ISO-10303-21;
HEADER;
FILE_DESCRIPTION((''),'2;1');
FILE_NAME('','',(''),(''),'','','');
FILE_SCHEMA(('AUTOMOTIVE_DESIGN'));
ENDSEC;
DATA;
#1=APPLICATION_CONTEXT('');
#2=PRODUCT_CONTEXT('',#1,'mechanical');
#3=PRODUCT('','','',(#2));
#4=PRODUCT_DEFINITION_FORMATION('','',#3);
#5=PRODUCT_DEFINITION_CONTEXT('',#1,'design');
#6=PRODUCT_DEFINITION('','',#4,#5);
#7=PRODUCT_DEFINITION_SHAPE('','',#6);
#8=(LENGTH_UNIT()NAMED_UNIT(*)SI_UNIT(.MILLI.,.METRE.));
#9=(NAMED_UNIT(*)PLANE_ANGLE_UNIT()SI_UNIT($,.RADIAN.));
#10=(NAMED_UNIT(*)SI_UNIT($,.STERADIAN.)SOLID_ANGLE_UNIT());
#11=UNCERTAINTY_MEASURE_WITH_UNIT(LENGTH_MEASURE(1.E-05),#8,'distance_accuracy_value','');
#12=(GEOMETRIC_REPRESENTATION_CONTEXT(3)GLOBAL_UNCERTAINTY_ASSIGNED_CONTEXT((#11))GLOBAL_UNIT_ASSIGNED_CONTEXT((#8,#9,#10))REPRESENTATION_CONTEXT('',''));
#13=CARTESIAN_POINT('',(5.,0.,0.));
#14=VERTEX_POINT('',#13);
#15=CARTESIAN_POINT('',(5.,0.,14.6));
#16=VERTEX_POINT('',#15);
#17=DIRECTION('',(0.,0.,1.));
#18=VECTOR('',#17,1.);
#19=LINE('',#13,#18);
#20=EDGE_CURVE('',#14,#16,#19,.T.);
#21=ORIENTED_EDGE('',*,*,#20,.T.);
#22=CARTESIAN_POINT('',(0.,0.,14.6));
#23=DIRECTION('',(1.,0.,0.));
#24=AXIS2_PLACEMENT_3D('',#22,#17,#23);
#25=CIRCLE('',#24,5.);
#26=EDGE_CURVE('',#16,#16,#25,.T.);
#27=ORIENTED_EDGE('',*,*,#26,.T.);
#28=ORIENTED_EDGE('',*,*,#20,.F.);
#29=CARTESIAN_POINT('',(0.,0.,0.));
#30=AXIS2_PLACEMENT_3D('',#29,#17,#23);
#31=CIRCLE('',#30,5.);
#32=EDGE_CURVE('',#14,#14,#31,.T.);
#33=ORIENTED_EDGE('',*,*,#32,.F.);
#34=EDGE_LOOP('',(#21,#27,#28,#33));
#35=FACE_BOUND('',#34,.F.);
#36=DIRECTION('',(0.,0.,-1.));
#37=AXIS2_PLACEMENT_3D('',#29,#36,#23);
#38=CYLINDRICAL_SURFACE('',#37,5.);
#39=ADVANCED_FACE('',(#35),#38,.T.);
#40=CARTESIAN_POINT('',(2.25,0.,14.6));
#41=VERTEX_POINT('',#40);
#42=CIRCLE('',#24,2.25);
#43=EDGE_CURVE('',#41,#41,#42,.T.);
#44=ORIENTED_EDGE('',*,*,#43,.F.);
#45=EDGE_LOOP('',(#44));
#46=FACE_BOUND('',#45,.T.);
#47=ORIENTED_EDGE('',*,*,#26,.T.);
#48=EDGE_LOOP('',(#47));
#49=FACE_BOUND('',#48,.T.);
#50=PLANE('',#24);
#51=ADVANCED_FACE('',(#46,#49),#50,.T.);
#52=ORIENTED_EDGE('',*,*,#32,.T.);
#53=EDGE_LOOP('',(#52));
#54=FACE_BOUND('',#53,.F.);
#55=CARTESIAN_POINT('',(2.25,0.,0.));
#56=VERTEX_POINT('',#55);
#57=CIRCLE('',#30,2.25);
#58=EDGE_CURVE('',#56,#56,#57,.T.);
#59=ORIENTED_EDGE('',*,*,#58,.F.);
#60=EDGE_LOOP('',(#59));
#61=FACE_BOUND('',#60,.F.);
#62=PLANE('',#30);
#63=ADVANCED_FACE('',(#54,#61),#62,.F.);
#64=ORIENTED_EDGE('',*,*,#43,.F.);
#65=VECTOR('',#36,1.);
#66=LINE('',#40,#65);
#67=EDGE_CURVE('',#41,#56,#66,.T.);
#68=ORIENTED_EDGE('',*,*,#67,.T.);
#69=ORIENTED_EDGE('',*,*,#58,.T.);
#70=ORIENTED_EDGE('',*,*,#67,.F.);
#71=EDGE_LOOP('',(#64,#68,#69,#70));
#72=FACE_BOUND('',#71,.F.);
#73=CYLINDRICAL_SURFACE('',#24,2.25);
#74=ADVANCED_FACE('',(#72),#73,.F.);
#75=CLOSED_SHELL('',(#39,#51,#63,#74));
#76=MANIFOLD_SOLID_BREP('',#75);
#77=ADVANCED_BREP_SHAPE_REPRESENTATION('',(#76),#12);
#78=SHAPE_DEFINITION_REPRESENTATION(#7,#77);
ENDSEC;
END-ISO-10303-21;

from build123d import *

# Parameters (mm, degrees)
SKETCH_R     = 5
PAD_DEPTH    = 14.6
SKETCH001_R  = 2.25
POCKET_DEPTH = 14.601


with BuildPart() as part:
    # Sketch → Pad (new body)
    with BuildSketch(Plane.XY):
        Circle(SKETCH_R)
    extrude(amount=PAD_DEPTH)

    # Sketch001 → Pocket (cut, through all)
    with BuildSketch(Plane.XY.offset(14.6)):
        Circle(SKETCH001_R)
    extrude(amount=-POCKET_DEPTH, mode=Mode.SUBTRACT)


solid = part.part
